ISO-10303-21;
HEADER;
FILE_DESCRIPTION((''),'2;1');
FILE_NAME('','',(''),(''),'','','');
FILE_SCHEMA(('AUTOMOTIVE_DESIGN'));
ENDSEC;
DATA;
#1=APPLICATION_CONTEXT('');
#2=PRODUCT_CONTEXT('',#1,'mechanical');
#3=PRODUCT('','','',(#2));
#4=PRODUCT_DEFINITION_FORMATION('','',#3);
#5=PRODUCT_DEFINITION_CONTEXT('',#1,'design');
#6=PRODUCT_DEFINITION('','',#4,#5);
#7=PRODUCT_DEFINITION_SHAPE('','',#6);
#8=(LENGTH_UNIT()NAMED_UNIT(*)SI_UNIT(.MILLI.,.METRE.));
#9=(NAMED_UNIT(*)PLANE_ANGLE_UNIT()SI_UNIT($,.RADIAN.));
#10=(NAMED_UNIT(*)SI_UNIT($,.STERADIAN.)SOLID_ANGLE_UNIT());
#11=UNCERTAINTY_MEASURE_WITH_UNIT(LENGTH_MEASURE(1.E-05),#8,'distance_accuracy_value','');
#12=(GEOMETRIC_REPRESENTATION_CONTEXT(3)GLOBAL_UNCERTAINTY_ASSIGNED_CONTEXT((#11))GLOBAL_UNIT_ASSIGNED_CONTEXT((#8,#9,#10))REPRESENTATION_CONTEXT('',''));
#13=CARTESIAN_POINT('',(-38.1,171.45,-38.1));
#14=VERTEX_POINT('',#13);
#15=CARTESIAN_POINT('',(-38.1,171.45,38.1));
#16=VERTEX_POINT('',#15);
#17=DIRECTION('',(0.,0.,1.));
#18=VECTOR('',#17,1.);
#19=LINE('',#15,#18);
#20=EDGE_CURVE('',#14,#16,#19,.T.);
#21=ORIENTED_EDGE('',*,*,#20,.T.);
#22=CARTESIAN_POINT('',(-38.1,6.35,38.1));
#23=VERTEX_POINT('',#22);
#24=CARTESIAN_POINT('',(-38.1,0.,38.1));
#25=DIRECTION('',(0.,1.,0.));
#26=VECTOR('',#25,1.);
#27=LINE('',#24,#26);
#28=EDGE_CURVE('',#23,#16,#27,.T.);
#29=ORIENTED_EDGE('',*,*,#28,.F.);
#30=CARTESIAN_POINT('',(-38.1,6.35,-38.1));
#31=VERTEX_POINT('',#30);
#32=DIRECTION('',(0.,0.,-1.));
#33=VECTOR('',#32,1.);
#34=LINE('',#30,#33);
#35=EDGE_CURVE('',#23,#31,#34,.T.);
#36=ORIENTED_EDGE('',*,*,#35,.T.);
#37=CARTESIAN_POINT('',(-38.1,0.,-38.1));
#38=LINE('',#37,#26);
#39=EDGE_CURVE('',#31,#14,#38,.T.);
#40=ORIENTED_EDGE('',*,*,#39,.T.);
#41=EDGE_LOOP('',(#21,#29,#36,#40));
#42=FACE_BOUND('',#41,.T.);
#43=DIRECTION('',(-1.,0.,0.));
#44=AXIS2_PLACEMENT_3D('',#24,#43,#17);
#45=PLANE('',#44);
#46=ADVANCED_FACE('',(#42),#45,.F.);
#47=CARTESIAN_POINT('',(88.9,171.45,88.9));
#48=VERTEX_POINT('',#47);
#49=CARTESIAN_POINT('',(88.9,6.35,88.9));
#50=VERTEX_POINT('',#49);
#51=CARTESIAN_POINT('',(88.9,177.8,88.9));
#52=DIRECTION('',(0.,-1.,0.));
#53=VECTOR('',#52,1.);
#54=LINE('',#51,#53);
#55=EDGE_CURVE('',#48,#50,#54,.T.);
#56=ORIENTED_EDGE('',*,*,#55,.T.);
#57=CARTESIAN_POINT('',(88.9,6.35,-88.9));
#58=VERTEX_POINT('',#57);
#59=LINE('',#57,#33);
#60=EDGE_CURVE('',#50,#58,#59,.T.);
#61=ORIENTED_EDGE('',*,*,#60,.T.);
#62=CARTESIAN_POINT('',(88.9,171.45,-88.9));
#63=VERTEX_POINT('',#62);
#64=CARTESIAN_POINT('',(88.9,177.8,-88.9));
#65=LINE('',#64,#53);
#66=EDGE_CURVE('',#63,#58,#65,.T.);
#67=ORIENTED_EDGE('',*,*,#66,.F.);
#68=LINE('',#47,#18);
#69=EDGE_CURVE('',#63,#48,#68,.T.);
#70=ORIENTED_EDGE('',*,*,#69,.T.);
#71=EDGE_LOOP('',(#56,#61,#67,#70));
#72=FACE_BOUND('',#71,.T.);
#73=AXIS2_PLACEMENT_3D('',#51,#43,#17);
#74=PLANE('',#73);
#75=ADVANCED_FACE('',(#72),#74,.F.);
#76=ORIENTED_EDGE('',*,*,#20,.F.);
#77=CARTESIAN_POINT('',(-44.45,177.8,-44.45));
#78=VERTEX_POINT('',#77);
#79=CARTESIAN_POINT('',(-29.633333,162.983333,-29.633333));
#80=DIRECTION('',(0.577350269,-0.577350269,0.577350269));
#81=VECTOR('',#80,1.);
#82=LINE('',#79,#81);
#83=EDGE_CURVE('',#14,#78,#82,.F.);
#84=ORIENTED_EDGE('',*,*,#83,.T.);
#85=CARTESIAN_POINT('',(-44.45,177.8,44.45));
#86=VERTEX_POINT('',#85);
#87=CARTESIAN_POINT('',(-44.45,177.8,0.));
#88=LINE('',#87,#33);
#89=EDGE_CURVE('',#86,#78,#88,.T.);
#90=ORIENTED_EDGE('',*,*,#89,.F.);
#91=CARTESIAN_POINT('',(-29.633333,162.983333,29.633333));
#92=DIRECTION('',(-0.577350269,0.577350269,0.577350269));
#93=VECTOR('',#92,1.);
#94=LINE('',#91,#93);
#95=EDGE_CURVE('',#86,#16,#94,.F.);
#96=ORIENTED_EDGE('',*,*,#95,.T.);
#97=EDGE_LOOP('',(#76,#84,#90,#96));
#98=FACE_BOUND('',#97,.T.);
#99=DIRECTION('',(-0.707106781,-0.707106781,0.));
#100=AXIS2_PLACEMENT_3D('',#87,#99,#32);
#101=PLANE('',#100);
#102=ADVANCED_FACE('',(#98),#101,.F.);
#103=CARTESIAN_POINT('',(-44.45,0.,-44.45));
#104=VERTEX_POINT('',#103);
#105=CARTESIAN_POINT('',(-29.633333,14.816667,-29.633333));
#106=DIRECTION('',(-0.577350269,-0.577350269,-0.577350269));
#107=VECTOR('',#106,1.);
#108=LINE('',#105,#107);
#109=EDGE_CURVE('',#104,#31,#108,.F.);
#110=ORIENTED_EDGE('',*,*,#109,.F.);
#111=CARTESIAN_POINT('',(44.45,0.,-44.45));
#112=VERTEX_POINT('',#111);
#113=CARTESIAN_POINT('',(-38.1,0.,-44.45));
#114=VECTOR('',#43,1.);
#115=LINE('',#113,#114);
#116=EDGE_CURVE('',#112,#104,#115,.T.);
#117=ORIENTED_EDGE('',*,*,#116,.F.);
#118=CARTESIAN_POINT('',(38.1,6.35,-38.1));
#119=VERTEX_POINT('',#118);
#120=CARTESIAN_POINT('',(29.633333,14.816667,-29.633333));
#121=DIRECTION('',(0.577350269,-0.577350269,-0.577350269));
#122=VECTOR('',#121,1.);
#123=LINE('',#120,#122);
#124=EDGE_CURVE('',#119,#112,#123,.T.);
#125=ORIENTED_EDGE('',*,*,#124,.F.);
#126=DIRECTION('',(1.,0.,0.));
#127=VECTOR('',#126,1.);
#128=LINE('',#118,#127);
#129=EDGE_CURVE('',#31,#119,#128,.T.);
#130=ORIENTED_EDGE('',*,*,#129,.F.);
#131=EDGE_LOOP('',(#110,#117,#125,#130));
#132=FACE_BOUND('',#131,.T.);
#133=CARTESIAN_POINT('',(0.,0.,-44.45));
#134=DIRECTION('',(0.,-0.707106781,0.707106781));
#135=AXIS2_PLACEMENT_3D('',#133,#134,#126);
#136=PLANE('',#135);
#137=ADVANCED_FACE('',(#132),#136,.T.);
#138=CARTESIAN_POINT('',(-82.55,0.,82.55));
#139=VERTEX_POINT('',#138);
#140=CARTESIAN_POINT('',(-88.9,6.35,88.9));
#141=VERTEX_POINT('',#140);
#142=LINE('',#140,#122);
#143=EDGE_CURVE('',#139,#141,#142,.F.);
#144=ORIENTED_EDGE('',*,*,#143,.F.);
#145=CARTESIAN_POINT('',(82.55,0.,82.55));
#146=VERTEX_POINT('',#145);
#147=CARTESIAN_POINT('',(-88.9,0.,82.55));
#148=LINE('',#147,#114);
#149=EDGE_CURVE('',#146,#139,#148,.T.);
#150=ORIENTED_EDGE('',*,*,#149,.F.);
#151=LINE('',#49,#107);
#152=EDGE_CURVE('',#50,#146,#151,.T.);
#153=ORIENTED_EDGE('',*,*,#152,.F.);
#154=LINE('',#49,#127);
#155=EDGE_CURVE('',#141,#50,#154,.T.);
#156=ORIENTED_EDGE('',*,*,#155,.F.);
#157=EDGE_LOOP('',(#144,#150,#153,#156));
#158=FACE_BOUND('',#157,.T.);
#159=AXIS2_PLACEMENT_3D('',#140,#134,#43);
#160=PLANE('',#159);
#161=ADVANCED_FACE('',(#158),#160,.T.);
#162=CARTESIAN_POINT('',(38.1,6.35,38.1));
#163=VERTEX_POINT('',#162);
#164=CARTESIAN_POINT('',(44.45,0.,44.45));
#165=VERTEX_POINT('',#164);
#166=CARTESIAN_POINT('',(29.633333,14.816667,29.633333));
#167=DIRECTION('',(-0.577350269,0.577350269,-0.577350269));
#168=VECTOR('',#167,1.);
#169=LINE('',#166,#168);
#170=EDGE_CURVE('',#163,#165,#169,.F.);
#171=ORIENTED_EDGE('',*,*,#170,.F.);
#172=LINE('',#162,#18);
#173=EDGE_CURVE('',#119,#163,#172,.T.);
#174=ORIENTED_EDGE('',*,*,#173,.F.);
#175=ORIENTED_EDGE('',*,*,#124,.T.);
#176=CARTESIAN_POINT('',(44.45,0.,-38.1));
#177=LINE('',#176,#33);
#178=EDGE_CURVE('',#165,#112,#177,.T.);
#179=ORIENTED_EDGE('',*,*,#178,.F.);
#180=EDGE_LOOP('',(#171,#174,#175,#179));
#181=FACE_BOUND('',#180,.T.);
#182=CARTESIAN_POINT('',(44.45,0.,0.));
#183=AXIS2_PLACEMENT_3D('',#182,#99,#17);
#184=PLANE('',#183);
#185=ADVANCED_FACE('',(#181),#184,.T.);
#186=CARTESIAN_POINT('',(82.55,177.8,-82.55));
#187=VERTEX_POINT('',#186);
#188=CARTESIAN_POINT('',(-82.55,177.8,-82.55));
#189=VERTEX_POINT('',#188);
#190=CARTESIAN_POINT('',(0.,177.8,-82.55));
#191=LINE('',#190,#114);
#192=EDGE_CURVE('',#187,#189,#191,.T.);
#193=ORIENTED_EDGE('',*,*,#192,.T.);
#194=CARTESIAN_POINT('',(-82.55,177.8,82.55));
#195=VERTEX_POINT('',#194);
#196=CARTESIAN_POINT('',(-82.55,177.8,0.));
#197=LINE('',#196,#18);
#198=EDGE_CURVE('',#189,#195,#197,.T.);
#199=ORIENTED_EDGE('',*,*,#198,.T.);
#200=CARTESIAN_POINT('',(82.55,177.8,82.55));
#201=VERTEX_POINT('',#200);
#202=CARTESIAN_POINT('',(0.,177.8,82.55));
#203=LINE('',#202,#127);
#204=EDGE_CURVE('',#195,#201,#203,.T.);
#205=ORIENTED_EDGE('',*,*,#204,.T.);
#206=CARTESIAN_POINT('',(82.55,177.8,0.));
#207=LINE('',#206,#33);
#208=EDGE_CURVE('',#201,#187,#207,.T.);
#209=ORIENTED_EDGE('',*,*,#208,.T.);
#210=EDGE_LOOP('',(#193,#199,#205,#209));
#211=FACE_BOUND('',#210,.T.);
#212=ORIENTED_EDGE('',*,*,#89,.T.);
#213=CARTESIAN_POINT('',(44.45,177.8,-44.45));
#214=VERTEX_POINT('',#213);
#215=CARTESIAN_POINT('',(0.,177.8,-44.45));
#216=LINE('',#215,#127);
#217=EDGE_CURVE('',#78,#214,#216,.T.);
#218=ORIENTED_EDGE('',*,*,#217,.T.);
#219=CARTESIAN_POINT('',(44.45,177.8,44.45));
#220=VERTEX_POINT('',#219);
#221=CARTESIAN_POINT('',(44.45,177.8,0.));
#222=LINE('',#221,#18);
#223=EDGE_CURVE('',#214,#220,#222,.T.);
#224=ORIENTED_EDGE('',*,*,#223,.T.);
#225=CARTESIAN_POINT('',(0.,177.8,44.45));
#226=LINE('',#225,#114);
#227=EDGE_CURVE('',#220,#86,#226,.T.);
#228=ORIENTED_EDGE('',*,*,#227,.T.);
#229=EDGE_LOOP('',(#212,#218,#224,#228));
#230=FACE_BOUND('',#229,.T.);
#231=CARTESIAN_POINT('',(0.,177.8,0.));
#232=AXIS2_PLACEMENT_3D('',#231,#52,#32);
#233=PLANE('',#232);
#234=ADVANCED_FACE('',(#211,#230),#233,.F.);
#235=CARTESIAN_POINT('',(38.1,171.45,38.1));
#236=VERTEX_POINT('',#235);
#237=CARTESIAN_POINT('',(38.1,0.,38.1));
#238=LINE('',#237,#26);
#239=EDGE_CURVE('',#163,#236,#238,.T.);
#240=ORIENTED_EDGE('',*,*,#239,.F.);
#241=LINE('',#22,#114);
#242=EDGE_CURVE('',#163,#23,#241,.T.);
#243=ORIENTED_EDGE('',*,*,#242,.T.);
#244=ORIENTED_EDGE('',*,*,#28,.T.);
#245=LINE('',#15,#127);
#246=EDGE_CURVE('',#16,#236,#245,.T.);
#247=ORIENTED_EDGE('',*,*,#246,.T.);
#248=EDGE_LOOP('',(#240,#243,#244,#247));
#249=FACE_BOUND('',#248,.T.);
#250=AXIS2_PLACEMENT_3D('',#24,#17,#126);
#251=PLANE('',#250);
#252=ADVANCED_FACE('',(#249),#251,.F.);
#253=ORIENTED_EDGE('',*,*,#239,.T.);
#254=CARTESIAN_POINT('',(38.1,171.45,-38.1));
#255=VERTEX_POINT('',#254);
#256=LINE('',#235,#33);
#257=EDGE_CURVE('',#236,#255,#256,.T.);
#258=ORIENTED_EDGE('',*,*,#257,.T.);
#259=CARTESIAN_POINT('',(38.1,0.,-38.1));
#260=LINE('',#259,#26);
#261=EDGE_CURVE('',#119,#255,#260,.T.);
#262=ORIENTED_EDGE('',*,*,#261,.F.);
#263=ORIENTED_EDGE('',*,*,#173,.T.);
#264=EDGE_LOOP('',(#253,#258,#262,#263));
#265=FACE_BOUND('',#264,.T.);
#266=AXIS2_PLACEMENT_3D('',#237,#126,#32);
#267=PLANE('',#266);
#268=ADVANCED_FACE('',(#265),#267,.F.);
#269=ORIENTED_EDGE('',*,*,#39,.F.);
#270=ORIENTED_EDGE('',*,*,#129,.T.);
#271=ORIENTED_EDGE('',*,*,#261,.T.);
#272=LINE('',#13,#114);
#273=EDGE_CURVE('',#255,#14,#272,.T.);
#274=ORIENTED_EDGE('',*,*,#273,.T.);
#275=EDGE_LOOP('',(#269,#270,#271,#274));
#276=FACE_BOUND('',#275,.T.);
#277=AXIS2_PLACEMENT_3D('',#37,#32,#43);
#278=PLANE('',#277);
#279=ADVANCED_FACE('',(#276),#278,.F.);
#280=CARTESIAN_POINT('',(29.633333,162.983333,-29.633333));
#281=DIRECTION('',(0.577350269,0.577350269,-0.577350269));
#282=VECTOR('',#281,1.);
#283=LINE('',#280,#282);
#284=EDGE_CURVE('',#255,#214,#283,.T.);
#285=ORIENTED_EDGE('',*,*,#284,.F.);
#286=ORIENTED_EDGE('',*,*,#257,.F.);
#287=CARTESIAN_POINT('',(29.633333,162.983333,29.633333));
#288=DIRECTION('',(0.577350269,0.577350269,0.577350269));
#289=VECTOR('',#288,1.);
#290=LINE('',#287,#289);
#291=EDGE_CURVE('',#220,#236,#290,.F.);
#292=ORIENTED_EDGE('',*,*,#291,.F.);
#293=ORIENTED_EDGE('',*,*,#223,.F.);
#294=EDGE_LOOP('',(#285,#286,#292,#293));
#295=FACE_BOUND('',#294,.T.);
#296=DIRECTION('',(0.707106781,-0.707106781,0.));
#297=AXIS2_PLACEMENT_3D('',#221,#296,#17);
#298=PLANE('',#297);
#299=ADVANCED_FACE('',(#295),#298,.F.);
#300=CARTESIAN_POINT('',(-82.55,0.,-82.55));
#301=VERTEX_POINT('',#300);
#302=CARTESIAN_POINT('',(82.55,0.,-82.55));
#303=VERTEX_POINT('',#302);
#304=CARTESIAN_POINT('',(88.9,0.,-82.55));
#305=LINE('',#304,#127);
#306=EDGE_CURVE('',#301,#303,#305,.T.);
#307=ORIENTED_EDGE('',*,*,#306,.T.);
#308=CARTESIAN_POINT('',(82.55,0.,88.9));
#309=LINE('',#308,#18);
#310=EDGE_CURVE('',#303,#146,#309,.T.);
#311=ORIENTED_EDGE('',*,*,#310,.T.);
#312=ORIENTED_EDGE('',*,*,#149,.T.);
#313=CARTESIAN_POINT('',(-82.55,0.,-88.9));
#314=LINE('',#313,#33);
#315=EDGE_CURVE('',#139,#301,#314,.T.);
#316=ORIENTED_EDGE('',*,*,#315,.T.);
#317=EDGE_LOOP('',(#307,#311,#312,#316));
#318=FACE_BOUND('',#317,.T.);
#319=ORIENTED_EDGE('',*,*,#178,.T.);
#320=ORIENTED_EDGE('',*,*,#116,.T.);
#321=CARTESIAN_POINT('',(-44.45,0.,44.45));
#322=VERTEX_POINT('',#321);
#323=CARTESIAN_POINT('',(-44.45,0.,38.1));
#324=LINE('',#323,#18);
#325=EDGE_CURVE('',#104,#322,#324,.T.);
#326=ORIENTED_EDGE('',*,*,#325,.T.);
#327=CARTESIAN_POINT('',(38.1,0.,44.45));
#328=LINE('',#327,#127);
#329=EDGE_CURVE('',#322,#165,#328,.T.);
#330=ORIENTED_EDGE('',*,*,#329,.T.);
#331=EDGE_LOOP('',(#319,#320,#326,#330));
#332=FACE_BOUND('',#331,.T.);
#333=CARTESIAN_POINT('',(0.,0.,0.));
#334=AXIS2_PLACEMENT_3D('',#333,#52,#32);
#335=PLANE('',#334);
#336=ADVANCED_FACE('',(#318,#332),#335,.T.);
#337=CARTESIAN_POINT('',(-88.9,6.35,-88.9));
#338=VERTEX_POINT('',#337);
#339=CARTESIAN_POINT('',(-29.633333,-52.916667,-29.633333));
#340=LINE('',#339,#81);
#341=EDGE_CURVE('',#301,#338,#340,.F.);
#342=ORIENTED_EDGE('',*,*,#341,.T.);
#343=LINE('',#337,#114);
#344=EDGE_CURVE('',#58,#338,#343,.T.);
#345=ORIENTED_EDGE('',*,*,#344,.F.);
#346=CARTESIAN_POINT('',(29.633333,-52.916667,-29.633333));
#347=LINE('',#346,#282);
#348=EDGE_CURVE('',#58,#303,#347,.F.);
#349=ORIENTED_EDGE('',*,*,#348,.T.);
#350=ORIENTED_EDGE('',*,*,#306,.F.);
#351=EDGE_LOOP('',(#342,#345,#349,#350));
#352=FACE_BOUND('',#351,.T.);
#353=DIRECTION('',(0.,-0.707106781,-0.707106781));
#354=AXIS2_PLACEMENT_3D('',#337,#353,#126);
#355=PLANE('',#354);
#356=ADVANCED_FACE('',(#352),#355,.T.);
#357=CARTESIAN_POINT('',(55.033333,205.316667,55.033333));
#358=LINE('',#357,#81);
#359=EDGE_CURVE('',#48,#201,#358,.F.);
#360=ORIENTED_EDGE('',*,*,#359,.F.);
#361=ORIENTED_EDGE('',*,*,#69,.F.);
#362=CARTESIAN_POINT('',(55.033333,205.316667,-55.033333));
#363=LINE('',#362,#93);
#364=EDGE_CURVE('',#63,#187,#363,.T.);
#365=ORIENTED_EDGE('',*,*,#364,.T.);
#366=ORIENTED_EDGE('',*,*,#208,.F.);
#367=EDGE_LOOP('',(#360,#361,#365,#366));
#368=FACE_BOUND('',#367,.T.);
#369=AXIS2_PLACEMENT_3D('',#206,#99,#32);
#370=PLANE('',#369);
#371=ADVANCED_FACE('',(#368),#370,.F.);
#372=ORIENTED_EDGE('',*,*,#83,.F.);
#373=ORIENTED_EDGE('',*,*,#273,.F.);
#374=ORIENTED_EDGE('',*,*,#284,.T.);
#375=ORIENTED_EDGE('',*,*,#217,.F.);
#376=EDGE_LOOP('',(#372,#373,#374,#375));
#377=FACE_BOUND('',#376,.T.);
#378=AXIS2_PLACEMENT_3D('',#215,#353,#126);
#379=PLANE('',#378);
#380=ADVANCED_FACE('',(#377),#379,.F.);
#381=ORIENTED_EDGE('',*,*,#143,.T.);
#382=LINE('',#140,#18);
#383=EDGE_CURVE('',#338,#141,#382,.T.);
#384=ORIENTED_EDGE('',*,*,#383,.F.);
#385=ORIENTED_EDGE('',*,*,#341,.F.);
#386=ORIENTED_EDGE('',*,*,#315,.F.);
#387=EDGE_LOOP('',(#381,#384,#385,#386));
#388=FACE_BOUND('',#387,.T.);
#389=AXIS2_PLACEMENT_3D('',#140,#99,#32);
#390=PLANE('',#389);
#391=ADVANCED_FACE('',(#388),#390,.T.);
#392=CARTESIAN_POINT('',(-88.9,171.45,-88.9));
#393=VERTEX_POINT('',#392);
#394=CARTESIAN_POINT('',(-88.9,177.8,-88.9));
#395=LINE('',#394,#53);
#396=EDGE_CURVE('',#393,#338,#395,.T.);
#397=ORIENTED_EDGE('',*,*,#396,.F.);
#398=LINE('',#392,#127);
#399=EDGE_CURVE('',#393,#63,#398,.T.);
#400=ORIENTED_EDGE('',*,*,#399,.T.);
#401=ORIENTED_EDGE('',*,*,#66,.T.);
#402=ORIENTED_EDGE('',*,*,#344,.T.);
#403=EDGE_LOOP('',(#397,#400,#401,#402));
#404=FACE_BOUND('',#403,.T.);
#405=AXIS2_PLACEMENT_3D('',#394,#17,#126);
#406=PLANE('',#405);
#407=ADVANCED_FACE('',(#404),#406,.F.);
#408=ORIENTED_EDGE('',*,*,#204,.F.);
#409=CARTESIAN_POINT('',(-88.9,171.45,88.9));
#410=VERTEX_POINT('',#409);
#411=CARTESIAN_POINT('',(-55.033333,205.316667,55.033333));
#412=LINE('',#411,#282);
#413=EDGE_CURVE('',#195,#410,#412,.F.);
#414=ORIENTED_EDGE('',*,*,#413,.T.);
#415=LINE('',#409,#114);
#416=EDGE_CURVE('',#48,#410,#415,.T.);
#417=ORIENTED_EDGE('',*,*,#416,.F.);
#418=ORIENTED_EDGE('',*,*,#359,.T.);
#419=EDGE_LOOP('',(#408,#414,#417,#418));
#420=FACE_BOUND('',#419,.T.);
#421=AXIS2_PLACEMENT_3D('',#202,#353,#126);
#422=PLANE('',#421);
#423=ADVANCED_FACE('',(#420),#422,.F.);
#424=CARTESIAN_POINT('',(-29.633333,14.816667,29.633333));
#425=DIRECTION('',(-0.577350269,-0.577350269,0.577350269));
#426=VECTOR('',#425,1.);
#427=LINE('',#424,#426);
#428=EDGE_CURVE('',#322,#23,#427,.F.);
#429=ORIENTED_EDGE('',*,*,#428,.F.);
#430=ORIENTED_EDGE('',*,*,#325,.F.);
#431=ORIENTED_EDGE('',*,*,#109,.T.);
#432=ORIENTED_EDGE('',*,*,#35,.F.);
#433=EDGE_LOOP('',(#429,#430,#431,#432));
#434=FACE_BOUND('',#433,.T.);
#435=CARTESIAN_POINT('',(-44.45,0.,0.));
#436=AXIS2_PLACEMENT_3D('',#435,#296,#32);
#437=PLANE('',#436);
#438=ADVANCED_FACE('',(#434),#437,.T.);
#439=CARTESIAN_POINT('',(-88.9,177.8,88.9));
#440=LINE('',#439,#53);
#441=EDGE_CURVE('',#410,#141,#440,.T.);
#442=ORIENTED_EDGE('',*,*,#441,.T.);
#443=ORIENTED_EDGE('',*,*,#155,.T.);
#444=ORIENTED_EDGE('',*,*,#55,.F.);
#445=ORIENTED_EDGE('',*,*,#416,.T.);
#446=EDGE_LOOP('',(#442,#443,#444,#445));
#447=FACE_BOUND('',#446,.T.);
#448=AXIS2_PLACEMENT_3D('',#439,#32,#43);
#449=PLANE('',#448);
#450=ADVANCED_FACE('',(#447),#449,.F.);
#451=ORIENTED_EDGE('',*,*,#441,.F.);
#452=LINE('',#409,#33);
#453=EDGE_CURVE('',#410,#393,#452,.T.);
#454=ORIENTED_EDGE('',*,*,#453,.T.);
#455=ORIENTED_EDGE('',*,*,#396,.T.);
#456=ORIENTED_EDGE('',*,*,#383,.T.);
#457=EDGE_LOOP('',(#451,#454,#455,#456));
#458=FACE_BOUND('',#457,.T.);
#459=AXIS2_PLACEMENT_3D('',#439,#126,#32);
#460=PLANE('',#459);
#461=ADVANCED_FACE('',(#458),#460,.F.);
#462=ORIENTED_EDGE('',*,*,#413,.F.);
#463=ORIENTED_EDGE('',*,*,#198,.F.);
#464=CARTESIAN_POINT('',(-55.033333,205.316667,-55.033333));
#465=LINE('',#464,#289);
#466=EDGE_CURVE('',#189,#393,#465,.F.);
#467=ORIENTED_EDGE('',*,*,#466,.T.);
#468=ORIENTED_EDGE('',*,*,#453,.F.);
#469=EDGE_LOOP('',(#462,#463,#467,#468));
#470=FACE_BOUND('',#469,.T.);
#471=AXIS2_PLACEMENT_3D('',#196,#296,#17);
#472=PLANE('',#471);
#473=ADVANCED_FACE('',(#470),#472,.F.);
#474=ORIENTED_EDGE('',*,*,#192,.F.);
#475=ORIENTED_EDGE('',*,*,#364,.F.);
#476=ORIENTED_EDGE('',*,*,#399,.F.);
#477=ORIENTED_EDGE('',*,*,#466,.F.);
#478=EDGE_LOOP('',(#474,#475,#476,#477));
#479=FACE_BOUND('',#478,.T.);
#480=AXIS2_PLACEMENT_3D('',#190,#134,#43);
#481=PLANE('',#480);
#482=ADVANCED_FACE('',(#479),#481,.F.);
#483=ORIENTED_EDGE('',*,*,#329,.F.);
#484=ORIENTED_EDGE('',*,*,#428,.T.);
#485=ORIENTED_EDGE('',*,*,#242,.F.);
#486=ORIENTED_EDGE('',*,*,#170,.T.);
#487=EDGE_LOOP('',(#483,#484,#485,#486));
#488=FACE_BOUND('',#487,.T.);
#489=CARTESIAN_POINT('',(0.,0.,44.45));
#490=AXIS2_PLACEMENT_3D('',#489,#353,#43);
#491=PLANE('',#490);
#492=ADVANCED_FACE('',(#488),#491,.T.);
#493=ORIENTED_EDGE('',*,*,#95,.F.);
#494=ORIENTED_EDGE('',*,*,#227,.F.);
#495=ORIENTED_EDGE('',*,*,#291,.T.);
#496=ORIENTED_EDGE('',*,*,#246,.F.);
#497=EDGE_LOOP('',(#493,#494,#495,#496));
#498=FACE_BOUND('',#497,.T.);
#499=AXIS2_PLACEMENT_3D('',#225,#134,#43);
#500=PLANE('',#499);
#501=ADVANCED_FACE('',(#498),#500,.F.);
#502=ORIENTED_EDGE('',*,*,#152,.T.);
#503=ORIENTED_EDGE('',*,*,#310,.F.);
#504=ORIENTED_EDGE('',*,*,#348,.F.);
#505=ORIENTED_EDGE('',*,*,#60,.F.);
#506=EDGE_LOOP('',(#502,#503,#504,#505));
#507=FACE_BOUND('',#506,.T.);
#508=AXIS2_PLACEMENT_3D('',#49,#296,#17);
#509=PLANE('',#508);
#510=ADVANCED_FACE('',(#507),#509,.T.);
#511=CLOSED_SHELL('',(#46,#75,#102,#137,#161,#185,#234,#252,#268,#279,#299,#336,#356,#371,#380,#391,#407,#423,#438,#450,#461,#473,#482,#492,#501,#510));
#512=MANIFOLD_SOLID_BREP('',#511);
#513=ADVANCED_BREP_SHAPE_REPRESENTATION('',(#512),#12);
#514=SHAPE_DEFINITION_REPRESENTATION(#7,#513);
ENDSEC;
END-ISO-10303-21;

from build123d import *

# Parameters (mm, degrees)
SKETCH2_W               = 177.8
SKETCH2_H               = 177.8
BOSS_EXTRUDE1_DEPTH     = 177.8
CUT_EXTRUDE1_DEPTH      = 218.759638133
CUT_EXTRUDE1_DEPTH_BACK = 218.759638133
SKETCH3_W               = 76.2
SKETCH3_H               = 76.2
CHAMFER1_SIZE           = 6.35


with BuildPart() as part:
    # Sketch2 → Boss-Extrude1 (new body)
    with BuildSketch(Plane(origin=(0, 0, 0), x_dir=(1, 0, 0), z_dir=(0, 1, 0))):
        Rectangle(SKETCH2_W, SKETCH2_H)
    extrude(amount=BOSS_EXTRUDE1_DEPTH)

    # Sketch3 → Cut-Extrude1 (cut, two sides: drawn at the far end of the back side and taken through both)
    with BuildSketch(Plane(origin=(0, 177.8, 0), x_dir=(1, 0, 0), z_dir=(0, 1, 0)).offset(-CUT_EXTRUDE1_DEPTH_BACK)):
        Rectangle(SKETCH3_W, SKETCH3_H)
    extrude(amount=CUT_EXTRUDE1_DEPTH + CUT_EXTRUDE1_DEPTH_BACK, mode=Mode.SUBTRACT)

    # Chamfer1
    chamfer1_edges = [part.edges().sort_by_distance(p)[0] for p in [
        (-88.9, 177.8, 0),
        (0, 177.8, 88.9),
        (38.1, 177.8, 0),
        (38.1, 0, 0),
        (0, 177.8, 38.1),
        (0, 0, 38.1),
        (-38.1, 177.8, 0),
        (-38.1, 0, 0),
        (0, 177.8, -38.1),
        (0, 0, -38.1),
        (88.9, 177.8, 0),
        (0, 0, 88.9),
        (-88.9, 0, 0),
        (0, 0, -88.9),
        (88.9, 0, 0),
        (0, 177.8, -88.9),
    ]]
    chamfer(chamfer1_edges, length=CHAMFER1_SIZE)


solid = part.part
